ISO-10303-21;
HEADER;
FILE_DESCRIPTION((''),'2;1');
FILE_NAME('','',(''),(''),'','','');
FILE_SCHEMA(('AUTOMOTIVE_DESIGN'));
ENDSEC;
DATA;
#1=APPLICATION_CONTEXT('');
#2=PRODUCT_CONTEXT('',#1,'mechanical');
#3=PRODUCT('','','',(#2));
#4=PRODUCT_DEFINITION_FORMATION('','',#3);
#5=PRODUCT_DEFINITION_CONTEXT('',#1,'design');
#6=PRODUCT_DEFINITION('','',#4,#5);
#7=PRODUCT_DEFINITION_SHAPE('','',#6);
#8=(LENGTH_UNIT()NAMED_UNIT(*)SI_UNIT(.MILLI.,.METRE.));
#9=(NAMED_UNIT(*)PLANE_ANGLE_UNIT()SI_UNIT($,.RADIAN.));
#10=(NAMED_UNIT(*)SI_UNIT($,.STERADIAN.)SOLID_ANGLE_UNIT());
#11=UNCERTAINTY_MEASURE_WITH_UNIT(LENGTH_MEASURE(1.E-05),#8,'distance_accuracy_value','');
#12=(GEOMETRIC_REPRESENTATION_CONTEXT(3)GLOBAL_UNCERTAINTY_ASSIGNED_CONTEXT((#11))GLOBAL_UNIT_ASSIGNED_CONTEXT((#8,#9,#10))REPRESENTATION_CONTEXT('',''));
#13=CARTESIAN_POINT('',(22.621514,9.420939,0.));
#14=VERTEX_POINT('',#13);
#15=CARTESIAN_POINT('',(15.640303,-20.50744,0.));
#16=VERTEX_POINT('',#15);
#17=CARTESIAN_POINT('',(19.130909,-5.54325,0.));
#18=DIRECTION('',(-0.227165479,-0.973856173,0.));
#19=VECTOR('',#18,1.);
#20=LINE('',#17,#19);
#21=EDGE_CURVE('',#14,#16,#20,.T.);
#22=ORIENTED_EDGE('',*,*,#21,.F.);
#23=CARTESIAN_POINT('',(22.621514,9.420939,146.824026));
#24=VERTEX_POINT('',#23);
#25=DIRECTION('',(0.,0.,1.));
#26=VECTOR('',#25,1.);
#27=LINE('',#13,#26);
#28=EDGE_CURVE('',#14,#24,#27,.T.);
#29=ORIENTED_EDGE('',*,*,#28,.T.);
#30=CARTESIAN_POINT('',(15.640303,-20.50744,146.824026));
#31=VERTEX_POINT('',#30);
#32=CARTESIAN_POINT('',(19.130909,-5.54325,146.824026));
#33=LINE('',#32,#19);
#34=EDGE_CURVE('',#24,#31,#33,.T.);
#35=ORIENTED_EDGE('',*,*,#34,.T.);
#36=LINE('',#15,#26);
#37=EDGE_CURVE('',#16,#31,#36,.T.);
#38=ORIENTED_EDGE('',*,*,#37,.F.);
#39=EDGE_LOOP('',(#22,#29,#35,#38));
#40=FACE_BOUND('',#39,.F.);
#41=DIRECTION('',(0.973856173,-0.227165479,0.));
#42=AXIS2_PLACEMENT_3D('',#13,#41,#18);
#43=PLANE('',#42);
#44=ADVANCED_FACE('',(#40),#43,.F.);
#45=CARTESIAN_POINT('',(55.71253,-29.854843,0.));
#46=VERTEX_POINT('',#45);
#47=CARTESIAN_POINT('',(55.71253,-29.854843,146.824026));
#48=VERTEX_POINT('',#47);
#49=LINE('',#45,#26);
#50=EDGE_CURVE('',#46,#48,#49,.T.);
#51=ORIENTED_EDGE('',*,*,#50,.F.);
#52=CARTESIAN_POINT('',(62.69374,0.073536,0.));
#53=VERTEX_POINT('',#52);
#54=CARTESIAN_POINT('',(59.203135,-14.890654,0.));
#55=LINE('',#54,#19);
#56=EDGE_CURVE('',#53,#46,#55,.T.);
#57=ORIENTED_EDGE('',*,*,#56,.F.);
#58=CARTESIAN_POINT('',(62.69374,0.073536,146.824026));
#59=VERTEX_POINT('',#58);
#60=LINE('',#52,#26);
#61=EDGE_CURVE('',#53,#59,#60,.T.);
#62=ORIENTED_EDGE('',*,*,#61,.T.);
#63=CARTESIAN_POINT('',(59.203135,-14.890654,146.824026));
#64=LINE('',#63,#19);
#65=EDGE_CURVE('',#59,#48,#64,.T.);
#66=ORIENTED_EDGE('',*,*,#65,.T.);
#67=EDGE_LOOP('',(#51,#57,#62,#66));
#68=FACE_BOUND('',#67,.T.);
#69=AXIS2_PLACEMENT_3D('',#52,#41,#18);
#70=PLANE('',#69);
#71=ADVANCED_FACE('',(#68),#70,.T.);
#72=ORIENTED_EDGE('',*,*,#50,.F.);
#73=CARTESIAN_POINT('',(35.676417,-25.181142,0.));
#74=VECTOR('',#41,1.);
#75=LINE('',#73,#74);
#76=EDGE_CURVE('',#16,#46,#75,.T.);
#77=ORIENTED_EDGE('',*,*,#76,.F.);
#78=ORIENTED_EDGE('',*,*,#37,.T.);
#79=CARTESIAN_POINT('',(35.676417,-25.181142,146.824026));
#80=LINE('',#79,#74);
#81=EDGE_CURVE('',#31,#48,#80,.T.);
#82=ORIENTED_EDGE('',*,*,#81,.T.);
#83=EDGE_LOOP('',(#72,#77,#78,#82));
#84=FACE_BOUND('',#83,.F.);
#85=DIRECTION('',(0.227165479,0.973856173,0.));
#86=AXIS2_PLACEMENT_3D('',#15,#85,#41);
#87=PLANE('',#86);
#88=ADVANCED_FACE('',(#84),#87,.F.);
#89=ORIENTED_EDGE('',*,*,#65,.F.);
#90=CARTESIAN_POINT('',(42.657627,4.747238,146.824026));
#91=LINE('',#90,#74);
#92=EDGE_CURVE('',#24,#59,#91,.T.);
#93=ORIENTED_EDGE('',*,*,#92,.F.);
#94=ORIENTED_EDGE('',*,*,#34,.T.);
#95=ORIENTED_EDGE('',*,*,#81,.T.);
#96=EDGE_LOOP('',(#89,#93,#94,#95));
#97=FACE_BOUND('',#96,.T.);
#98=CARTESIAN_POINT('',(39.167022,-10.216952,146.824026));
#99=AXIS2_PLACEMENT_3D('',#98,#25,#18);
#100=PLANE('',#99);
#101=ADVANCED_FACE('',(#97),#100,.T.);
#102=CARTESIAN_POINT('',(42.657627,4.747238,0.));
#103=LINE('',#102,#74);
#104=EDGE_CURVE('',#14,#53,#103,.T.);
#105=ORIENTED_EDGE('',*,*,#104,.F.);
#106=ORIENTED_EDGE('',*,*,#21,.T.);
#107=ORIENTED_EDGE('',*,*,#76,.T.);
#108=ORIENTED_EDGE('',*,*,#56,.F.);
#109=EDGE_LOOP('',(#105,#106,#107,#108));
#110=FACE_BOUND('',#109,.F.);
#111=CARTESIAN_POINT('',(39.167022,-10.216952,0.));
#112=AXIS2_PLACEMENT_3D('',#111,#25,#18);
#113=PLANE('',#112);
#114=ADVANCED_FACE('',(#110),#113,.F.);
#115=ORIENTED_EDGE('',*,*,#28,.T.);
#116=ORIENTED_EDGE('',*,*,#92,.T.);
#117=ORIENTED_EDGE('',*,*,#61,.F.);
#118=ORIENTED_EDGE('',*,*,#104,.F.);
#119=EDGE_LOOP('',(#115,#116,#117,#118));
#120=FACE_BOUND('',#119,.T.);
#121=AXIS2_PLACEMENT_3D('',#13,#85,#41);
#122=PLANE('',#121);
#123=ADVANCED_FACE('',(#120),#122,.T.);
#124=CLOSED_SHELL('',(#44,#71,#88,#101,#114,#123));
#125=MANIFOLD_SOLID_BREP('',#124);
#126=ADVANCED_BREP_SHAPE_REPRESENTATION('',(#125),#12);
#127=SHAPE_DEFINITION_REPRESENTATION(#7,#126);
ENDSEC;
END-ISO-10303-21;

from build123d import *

# Parameters (mm, degrees)
F0_W     = 30.7318270206
F0_H     = 41.1479920149
F1_DEPTH = 146.8240264803
F2_ANGLE = 103.1302488819


with BuildPart() as f1:
    # F0 (on Top) → F1 (new body)
    with BuildSketch(Plane.XY):
        with Locations((0.2743899822, 0.0665560365)):
            Rectangle(F0_W, F0_H)
    extrude(amount=F1_DEPTH)


with BuildPart() as f1_1:
    # F2: moved
    add(f1.part.rotate(Axis((15.6403034925, -20.507439971, 73.4120132402), (0, 0, -1)), F2_ANGLE))


solid = f1_1.part
